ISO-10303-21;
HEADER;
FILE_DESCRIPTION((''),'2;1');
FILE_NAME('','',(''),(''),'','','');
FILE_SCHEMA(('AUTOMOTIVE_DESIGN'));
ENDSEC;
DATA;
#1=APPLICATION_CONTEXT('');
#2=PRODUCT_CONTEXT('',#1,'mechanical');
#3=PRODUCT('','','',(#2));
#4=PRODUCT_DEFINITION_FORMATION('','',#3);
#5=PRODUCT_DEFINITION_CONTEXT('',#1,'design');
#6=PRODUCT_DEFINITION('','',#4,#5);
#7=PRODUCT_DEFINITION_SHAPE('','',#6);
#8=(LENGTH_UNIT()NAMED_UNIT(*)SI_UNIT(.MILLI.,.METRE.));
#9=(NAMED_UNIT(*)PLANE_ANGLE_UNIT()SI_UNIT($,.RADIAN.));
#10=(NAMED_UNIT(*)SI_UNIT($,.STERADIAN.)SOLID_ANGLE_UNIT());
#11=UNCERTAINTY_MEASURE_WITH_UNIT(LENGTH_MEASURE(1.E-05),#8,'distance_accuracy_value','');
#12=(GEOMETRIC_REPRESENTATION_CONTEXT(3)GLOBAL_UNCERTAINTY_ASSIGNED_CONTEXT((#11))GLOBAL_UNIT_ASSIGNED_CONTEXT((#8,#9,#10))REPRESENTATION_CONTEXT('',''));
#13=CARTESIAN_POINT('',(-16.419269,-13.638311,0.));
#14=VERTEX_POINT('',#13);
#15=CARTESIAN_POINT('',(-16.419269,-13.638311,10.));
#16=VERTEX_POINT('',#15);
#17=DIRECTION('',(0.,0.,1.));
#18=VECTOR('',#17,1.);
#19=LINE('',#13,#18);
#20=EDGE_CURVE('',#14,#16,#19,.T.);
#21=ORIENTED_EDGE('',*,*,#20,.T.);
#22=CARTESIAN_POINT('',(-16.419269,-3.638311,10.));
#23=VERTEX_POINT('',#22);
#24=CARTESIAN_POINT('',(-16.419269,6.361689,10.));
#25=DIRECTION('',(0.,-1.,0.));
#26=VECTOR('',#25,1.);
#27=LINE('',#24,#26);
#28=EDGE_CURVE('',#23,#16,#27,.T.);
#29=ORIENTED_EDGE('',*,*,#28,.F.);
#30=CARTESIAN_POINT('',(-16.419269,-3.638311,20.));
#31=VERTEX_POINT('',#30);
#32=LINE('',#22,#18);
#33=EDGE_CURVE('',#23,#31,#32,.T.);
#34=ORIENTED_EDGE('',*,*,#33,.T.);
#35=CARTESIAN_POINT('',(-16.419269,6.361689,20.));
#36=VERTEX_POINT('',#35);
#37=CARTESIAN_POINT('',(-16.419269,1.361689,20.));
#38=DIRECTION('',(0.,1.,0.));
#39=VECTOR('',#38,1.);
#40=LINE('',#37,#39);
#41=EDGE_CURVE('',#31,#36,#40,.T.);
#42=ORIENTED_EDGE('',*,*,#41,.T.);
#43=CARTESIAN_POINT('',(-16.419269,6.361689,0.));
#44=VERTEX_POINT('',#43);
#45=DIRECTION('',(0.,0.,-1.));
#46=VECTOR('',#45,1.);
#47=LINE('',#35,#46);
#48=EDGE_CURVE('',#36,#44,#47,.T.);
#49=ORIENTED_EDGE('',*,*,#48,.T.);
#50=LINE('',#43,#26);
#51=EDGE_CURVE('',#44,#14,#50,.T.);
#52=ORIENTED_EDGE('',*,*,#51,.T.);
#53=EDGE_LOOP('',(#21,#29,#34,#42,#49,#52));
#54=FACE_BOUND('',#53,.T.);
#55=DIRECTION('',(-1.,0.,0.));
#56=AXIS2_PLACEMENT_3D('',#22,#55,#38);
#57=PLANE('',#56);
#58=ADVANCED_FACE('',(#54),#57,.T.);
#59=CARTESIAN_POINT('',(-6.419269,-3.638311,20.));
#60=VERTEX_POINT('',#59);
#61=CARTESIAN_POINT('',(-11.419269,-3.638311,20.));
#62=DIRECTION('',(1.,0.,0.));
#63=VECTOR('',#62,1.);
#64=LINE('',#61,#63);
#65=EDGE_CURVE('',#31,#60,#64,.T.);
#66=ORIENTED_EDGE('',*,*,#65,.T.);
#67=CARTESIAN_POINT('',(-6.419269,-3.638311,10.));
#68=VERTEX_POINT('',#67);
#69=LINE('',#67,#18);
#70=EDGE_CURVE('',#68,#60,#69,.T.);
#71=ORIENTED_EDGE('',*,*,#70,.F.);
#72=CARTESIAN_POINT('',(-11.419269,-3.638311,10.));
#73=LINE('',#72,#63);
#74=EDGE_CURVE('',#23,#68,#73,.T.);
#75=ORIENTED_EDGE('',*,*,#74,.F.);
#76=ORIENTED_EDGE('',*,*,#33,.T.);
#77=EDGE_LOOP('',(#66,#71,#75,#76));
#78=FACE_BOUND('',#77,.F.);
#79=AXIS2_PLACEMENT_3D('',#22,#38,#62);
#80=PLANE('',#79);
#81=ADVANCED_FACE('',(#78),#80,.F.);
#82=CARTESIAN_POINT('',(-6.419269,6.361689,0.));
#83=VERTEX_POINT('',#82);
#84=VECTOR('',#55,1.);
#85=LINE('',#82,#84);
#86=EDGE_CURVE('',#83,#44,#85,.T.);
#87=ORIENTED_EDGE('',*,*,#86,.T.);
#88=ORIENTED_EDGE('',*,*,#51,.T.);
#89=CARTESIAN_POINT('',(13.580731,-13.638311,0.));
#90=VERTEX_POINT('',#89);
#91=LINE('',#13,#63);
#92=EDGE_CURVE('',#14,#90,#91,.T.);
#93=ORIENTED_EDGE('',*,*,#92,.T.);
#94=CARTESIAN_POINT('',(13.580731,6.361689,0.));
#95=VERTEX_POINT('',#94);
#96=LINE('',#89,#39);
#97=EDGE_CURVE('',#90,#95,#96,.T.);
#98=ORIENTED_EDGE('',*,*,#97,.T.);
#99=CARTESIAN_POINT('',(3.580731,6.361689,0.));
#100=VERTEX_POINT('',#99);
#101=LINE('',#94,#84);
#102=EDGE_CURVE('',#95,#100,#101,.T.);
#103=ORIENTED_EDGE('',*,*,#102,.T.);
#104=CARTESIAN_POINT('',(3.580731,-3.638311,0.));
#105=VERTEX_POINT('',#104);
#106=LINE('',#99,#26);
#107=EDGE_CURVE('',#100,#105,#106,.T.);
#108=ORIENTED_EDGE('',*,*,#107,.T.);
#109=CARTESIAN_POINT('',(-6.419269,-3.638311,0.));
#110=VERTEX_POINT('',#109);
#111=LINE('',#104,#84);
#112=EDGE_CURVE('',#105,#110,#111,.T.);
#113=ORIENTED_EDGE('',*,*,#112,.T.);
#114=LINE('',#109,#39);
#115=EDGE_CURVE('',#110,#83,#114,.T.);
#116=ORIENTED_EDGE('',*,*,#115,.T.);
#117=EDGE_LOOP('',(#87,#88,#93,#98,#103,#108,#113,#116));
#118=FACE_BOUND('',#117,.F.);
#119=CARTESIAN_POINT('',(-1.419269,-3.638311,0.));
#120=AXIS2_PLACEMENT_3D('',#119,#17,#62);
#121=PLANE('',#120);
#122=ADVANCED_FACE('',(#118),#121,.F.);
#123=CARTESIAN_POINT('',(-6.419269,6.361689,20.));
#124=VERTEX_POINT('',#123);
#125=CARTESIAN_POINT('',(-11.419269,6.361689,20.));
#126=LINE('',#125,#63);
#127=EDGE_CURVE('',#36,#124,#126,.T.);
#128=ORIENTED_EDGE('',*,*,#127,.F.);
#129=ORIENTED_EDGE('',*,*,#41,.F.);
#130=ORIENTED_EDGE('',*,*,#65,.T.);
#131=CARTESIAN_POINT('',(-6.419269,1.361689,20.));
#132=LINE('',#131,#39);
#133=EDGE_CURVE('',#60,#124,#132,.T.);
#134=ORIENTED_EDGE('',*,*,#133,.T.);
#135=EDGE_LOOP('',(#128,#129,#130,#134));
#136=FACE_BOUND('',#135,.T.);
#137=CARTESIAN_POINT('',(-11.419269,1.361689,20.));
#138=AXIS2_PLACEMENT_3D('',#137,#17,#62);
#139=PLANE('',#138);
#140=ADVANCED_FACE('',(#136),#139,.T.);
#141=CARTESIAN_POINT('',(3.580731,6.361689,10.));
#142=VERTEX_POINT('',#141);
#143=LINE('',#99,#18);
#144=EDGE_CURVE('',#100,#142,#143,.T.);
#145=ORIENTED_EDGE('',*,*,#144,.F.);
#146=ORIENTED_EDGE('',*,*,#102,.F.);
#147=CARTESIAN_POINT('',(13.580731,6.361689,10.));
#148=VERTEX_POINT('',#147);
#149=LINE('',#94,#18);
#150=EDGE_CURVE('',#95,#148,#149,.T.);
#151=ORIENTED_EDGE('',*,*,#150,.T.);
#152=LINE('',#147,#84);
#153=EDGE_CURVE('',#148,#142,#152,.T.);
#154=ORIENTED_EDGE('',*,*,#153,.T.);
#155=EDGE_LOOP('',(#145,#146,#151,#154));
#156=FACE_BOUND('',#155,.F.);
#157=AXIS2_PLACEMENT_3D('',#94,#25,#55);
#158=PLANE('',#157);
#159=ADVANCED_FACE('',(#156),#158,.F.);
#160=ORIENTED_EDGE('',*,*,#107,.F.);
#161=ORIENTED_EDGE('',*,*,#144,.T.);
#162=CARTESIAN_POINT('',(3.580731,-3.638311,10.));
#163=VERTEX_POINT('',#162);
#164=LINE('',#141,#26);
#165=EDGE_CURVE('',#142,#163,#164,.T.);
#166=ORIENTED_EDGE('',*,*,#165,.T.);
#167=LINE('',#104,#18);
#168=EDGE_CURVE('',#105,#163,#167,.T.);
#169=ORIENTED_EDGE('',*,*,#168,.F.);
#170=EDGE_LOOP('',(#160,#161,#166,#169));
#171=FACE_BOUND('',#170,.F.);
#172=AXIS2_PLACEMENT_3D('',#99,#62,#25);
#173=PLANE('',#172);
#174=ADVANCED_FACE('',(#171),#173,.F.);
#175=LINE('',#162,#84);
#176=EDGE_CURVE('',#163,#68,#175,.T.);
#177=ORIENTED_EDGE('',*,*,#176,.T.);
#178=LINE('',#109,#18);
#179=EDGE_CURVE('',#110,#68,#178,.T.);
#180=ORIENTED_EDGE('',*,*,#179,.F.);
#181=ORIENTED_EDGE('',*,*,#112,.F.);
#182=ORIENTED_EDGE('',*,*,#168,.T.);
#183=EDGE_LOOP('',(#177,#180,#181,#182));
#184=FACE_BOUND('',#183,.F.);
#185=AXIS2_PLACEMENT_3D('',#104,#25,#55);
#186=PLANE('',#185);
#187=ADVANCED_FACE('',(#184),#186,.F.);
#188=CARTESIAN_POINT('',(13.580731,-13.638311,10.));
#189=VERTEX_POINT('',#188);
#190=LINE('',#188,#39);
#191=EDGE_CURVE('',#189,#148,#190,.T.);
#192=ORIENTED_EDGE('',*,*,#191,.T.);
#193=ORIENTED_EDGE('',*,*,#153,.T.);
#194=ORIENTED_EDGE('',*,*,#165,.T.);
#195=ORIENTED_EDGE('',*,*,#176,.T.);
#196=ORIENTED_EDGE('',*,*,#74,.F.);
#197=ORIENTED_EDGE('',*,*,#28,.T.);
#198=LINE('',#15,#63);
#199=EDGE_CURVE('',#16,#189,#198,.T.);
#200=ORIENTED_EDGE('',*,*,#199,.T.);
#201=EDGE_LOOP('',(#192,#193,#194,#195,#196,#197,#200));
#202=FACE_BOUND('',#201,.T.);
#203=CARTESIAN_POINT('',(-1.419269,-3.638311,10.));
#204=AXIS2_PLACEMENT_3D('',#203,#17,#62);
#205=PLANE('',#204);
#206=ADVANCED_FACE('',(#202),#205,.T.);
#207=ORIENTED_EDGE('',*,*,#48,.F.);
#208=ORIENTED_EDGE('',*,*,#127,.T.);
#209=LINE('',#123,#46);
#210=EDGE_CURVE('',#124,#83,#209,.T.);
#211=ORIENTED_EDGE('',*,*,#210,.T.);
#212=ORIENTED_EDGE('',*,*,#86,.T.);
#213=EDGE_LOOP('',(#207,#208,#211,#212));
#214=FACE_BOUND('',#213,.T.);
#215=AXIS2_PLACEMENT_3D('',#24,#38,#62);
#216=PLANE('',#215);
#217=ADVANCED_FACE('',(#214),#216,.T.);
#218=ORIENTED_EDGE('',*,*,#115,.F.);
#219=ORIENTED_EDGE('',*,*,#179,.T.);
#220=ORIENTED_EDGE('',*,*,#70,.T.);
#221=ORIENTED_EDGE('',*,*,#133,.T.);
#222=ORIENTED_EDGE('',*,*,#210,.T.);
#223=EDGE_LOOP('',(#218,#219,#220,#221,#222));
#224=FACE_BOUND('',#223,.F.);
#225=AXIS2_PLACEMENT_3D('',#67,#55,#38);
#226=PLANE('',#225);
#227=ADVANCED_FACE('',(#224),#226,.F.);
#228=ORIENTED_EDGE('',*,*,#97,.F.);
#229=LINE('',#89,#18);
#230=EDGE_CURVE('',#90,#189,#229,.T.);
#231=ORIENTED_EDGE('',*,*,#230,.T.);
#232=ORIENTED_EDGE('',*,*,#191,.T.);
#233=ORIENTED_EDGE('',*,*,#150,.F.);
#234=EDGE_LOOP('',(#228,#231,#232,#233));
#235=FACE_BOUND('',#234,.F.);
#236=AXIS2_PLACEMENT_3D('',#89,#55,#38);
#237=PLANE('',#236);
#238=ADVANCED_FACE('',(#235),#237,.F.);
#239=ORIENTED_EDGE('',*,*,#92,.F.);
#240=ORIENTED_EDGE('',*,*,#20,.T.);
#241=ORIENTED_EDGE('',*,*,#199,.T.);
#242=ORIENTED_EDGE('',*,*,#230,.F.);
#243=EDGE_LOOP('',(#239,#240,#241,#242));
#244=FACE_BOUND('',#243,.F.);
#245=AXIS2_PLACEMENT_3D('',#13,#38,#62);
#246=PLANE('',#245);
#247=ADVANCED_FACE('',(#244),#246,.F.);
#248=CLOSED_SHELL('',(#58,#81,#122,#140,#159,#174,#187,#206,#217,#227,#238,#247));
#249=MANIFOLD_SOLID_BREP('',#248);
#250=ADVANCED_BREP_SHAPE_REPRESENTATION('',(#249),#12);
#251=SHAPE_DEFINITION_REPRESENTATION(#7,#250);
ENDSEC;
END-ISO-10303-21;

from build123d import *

# Parameters (mm, degrees)
F1_DEPTH = 10
F2_W     = 10
F2_H     = 10
F3_DEPTH = 10


with BuildPart() as f1:
    # F0 (on Top) → F1 (new body)
    with BuildSketch(Plane.XY):
        Polygon((-16.419269, 6.361689), (-16.419269, 6.013863), (-16.419269, -13.638311), (13.580731, -13.638311), (13.580731, 6.361689), (3.580731, 6.361689), (3.580731, -3.638311), (-6.419269, -3.638311), (-6.419269, 6.361689), align=None)
    extrude(amount=F1_DEPTH)

    # F2 (on face) → F3 (join)
    with BuildSketch(Plane.XY.offset(10)):
        with Locations((-11.419269, 1.361689)):
            Rectangle(F2_W, F2_H)
    extrude(amount=F3_DEPTH)


solid = f1.part
